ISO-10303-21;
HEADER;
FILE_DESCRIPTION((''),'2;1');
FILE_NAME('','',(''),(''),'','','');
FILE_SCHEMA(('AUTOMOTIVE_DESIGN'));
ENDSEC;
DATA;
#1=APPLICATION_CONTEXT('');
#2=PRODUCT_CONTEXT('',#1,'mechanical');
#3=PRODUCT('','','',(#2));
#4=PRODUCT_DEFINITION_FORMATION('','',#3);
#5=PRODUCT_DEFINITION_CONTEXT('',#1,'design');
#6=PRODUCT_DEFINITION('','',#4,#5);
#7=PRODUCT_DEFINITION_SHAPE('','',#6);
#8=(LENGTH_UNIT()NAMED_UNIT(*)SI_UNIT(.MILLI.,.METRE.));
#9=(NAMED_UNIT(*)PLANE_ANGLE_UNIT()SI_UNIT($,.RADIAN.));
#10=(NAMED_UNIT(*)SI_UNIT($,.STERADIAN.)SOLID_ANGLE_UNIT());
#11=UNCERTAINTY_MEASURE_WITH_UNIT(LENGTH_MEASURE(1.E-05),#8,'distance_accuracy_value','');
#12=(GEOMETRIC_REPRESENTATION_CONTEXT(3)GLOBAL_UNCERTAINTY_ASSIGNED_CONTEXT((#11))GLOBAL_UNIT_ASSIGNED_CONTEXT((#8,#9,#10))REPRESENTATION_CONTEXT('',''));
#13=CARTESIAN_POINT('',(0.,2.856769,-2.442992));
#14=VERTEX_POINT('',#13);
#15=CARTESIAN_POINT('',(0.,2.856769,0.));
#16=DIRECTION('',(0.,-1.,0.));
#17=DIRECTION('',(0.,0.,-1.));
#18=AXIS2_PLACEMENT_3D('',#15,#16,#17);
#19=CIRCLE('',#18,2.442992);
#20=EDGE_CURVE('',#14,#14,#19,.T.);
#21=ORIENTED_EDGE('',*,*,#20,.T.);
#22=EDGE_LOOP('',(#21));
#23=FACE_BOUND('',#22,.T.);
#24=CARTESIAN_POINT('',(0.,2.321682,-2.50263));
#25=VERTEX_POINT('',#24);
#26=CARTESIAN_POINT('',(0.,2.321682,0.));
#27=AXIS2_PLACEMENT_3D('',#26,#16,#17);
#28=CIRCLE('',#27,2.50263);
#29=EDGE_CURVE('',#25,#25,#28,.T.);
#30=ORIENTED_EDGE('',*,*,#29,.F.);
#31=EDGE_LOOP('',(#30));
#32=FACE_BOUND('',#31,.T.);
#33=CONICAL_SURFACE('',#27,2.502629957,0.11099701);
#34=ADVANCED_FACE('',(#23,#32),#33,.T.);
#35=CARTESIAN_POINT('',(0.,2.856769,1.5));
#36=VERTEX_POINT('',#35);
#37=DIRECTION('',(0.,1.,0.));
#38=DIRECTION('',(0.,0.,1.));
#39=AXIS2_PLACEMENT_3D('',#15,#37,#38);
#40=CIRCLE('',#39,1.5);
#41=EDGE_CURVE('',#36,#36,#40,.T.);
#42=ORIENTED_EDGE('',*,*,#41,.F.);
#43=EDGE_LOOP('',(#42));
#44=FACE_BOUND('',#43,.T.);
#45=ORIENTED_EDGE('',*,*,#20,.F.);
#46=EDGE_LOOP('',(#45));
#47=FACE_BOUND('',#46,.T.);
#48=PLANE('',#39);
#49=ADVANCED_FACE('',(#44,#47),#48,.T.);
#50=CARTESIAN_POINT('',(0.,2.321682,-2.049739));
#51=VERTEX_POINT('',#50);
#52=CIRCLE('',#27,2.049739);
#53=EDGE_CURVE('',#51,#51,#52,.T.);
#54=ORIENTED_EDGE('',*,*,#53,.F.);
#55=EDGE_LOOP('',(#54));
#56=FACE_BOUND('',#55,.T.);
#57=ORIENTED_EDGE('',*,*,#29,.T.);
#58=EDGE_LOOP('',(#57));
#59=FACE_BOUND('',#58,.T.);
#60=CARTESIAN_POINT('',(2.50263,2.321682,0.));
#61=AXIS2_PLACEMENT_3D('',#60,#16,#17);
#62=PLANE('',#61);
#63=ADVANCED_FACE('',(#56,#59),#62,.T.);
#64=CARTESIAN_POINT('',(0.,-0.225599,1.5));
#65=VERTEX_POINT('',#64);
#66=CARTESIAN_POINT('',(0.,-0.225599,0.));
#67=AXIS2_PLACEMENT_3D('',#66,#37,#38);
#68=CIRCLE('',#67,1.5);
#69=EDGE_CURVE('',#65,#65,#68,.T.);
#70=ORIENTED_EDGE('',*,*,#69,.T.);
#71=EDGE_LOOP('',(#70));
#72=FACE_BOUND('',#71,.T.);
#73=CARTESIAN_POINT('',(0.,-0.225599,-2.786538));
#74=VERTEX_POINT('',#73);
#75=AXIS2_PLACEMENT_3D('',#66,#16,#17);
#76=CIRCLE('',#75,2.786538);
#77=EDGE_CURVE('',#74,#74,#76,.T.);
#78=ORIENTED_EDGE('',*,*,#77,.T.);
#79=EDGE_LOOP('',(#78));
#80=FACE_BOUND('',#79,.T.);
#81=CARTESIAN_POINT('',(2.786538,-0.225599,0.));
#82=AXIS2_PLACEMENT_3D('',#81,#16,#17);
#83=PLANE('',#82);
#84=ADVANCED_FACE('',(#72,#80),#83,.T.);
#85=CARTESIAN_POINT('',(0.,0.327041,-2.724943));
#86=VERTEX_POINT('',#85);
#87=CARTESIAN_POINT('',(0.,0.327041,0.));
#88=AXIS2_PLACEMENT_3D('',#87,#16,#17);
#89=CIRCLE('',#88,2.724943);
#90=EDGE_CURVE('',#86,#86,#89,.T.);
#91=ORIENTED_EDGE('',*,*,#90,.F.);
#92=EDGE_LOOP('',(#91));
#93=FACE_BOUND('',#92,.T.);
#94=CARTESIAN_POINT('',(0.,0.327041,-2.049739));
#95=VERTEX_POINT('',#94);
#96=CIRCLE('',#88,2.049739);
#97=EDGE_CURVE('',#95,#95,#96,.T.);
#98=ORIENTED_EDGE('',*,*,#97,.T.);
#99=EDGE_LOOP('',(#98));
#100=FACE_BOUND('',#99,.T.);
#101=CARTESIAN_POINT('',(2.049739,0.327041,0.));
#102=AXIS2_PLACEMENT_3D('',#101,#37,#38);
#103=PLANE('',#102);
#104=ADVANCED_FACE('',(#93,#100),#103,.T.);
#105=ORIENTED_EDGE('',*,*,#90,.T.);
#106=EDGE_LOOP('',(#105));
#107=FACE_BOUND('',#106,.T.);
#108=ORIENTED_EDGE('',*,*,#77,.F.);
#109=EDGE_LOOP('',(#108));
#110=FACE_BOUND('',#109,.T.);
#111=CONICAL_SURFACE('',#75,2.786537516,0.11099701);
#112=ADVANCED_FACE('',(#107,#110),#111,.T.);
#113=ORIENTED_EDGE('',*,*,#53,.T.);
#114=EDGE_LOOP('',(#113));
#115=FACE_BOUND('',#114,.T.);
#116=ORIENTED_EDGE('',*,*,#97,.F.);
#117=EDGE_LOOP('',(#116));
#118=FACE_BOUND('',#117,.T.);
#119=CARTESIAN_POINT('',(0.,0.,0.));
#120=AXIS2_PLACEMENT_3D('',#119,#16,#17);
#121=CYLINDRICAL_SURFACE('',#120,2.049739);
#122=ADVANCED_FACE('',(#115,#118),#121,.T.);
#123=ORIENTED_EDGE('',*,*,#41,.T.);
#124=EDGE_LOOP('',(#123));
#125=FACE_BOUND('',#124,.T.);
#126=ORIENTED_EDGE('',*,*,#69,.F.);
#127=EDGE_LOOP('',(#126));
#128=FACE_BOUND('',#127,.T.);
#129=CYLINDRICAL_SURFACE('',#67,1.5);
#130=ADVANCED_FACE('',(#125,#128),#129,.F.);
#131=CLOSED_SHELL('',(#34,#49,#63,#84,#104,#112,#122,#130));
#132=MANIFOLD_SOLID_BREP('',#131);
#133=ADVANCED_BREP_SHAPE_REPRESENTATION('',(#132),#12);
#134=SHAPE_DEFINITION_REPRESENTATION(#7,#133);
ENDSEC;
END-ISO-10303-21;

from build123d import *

# Parameters (mm, degrees)
SKETCH_2_R          = 1.5
CUT_EXTRUDE_1_DEPTH = 6.00305692


with BuildPart() as part:
    # 草图1 → 旋转1 (revolve)
    with BuildSketch(Plane.XY, mode=Mode.PRIVATE) as revolve_1_sk:
        Polygon((0, 2.856769339), (2.442991795, 2.856769339), (2.502629957, 2.321682492), (2.049739135, 2.321682492), (2.049739135, 0.327040742), (2.724942969, 0.327040742), (2.786537516, -0.225599214), (0, -0.225599214), align=None)
    revolve(revolve_1_sk.sketch.rotate(Axis((0, 0, 0), (0, 1, 0)), 90), axis=Axis((0, 0, 0), (0, 1, 0)))

    # 草图2 → 切除-拉伸1 (cut, through all)
    with BuildSketch(Plane(origin=(0, 2.856769339, 0), x_dir=(1, 0, 0), z_dir=(0, 1, 0))):
        with Locations(Location((0, 0, 0), (0, 0, 270))):
            Circle(SKETCH_2_R)
    extrude(amount=-CUT_EXTRUDE_1_DEPTH, mode=Mode.SUBTRACT)


solid = part.part
